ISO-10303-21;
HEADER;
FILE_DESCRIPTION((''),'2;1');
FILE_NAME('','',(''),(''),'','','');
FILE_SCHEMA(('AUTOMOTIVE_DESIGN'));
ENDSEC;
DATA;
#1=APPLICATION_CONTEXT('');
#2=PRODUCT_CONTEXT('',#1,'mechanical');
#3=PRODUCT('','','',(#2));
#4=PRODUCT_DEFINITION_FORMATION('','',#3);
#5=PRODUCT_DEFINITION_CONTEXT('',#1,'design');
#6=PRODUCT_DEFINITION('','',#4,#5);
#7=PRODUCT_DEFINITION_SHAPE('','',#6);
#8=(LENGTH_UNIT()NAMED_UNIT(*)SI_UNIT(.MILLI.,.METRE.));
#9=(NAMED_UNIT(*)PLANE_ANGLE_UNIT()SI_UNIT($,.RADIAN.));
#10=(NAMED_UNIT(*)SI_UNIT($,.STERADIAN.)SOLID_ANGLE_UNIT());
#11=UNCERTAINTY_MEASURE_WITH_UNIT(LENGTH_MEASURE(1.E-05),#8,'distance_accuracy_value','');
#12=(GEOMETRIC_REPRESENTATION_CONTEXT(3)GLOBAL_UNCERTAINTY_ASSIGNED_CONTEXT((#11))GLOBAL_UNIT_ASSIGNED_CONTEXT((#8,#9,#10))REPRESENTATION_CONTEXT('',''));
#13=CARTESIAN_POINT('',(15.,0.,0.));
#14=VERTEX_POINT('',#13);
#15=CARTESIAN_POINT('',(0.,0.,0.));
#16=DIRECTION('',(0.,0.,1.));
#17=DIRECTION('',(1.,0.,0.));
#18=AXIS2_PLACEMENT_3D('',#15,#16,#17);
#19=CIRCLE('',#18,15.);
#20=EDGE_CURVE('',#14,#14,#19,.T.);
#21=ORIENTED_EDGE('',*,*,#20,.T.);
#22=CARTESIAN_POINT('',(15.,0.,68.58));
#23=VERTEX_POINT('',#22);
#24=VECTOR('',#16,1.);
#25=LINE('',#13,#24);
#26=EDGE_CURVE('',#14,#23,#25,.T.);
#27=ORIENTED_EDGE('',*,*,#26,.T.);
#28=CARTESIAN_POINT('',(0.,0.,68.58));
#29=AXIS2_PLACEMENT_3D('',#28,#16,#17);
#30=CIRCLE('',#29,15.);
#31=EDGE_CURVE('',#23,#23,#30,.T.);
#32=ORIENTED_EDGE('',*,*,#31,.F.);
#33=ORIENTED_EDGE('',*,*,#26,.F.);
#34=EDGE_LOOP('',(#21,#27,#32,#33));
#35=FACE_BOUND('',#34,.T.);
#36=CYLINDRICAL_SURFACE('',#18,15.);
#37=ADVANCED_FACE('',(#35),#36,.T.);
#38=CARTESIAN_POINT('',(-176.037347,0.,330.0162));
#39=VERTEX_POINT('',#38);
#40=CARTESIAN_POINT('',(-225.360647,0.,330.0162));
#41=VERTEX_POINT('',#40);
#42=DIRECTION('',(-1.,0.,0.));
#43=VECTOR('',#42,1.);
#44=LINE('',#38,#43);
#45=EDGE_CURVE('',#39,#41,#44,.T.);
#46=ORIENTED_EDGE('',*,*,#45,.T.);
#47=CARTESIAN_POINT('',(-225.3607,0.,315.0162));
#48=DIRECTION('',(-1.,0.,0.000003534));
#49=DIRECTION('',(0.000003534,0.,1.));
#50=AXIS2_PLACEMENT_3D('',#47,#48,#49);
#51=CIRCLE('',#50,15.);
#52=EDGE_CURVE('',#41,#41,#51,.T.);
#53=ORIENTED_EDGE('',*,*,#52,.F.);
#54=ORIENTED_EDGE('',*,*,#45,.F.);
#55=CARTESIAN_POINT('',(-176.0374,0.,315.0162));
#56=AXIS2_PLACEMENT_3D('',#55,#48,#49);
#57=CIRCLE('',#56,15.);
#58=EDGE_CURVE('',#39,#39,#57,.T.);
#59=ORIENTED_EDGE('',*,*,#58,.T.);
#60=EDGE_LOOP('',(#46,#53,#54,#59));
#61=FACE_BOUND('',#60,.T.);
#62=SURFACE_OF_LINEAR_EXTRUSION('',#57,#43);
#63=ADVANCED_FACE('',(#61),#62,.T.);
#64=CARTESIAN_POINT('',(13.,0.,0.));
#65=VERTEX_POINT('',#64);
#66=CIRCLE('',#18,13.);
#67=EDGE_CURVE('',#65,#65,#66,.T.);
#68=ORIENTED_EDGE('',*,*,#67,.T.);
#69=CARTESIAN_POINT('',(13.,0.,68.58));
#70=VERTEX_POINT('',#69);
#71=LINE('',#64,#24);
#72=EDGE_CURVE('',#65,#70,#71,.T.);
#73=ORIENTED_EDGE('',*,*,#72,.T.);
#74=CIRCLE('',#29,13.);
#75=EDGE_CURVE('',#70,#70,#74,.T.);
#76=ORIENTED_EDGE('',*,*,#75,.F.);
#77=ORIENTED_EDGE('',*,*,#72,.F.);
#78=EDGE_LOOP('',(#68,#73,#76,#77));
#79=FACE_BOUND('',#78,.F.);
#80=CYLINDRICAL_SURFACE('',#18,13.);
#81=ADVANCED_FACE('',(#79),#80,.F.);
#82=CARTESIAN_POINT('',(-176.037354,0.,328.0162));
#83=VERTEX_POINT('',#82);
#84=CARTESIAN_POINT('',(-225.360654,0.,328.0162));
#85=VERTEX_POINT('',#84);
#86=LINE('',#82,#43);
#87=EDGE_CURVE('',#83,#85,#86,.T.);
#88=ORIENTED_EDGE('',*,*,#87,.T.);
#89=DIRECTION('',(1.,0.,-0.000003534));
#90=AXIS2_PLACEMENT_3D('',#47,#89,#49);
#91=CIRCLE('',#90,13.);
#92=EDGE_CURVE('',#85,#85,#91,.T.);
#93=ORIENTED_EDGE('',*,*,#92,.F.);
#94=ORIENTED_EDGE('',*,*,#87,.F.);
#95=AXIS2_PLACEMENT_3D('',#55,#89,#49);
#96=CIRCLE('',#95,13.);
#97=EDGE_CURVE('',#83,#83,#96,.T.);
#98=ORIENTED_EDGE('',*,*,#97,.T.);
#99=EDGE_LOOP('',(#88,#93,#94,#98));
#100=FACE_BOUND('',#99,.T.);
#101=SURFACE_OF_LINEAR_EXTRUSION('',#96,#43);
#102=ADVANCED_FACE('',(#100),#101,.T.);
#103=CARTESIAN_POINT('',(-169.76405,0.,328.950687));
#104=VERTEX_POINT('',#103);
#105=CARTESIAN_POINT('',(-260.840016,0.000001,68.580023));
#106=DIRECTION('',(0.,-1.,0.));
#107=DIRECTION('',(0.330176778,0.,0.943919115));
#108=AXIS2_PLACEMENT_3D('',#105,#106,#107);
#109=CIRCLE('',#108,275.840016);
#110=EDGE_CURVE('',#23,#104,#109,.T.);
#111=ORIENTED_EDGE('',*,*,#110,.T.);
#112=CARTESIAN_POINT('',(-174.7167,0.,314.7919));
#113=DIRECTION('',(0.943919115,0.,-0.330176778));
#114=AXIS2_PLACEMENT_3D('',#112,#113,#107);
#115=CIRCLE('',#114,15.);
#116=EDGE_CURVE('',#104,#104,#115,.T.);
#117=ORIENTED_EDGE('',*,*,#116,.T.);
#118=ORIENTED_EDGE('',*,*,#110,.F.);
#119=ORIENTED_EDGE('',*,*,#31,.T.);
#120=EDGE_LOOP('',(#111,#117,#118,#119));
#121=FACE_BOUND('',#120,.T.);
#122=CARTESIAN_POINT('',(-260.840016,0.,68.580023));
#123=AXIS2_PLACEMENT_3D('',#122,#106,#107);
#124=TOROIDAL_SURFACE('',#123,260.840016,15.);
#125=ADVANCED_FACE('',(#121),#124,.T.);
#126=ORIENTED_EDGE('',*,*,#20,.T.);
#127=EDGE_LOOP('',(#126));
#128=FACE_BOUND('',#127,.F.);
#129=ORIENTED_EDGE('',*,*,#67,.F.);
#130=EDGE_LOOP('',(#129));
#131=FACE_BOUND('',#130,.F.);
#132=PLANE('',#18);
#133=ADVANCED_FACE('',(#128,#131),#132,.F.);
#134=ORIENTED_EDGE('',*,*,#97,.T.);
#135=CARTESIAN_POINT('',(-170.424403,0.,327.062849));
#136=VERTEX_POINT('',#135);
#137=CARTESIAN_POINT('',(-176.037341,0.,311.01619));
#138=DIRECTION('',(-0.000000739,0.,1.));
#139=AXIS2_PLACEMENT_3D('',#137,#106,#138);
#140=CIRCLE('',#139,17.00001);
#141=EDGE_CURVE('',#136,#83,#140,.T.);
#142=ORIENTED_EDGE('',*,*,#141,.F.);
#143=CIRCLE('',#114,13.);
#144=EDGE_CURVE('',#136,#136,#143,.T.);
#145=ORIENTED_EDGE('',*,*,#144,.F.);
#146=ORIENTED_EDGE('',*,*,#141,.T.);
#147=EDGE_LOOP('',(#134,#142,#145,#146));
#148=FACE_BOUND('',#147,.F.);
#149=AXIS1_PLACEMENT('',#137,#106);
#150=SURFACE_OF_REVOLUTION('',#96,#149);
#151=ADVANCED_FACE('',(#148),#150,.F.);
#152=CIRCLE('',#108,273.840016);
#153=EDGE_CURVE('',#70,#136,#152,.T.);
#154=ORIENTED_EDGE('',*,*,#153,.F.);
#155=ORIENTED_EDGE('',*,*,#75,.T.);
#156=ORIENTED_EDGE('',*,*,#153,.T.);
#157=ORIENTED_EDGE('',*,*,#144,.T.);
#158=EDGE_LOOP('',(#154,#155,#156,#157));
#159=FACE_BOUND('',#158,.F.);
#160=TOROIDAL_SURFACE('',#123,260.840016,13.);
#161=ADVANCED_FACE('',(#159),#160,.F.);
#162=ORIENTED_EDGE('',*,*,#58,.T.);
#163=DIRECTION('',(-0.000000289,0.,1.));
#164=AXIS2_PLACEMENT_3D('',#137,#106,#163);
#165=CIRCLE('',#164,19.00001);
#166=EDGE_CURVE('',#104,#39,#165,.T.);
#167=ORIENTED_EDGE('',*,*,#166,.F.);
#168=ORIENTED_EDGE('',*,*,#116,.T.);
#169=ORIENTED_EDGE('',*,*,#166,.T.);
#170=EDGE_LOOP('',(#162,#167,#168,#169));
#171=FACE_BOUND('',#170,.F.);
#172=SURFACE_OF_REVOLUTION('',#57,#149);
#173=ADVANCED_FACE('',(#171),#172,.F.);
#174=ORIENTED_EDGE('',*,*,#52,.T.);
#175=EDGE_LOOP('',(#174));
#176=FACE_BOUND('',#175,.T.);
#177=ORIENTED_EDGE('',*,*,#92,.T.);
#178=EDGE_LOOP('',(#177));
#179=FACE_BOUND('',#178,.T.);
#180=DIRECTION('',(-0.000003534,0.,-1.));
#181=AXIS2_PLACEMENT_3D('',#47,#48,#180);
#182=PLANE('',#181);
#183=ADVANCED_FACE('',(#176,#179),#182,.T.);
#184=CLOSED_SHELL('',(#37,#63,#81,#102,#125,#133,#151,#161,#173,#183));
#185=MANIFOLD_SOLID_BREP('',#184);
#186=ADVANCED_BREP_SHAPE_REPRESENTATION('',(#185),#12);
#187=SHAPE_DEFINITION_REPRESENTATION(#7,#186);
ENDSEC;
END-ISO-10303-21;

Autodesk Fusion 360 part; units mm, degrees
sketch "Sketch1" plane through (0, 0, 0) normal (0, 0, 1) x (1, 0, 0)
  circle A0 centre (0, 0) radius 15
  circle A1 centre (0, 0) radius 13
  dimension "d1" = 30
  dimension "d2" = 26
sketch "Sketch2" plane through (0, 0, 0) normal (0, 1, 0) x (1, 0, 0)
  line L0 (0, 0) -> (0, -68.58)
  arc A0 (-174.7167, -314.7919) -> (0, -68.58) centre (-260.84, -68.58) ccw
  line L1 (-176.0374, -315.0162) -> (-225.3607, -315.0162)
  arc A1 (-176.0374, -315.0162) -> (-174.7167, -314.7919) centre (-176.0374, -311.0162) ccw
  point P0 (-175.3607, -315.0162)
  dimension "d3" = 68.58
  dimension "d4" = 260.84
  dimension "d5" = 50
  dimension "d6" = 4
sweep "Sweep1" add profiles "Sketch1" path "Sketch2" along L0 A0 A1 L1 section 1
